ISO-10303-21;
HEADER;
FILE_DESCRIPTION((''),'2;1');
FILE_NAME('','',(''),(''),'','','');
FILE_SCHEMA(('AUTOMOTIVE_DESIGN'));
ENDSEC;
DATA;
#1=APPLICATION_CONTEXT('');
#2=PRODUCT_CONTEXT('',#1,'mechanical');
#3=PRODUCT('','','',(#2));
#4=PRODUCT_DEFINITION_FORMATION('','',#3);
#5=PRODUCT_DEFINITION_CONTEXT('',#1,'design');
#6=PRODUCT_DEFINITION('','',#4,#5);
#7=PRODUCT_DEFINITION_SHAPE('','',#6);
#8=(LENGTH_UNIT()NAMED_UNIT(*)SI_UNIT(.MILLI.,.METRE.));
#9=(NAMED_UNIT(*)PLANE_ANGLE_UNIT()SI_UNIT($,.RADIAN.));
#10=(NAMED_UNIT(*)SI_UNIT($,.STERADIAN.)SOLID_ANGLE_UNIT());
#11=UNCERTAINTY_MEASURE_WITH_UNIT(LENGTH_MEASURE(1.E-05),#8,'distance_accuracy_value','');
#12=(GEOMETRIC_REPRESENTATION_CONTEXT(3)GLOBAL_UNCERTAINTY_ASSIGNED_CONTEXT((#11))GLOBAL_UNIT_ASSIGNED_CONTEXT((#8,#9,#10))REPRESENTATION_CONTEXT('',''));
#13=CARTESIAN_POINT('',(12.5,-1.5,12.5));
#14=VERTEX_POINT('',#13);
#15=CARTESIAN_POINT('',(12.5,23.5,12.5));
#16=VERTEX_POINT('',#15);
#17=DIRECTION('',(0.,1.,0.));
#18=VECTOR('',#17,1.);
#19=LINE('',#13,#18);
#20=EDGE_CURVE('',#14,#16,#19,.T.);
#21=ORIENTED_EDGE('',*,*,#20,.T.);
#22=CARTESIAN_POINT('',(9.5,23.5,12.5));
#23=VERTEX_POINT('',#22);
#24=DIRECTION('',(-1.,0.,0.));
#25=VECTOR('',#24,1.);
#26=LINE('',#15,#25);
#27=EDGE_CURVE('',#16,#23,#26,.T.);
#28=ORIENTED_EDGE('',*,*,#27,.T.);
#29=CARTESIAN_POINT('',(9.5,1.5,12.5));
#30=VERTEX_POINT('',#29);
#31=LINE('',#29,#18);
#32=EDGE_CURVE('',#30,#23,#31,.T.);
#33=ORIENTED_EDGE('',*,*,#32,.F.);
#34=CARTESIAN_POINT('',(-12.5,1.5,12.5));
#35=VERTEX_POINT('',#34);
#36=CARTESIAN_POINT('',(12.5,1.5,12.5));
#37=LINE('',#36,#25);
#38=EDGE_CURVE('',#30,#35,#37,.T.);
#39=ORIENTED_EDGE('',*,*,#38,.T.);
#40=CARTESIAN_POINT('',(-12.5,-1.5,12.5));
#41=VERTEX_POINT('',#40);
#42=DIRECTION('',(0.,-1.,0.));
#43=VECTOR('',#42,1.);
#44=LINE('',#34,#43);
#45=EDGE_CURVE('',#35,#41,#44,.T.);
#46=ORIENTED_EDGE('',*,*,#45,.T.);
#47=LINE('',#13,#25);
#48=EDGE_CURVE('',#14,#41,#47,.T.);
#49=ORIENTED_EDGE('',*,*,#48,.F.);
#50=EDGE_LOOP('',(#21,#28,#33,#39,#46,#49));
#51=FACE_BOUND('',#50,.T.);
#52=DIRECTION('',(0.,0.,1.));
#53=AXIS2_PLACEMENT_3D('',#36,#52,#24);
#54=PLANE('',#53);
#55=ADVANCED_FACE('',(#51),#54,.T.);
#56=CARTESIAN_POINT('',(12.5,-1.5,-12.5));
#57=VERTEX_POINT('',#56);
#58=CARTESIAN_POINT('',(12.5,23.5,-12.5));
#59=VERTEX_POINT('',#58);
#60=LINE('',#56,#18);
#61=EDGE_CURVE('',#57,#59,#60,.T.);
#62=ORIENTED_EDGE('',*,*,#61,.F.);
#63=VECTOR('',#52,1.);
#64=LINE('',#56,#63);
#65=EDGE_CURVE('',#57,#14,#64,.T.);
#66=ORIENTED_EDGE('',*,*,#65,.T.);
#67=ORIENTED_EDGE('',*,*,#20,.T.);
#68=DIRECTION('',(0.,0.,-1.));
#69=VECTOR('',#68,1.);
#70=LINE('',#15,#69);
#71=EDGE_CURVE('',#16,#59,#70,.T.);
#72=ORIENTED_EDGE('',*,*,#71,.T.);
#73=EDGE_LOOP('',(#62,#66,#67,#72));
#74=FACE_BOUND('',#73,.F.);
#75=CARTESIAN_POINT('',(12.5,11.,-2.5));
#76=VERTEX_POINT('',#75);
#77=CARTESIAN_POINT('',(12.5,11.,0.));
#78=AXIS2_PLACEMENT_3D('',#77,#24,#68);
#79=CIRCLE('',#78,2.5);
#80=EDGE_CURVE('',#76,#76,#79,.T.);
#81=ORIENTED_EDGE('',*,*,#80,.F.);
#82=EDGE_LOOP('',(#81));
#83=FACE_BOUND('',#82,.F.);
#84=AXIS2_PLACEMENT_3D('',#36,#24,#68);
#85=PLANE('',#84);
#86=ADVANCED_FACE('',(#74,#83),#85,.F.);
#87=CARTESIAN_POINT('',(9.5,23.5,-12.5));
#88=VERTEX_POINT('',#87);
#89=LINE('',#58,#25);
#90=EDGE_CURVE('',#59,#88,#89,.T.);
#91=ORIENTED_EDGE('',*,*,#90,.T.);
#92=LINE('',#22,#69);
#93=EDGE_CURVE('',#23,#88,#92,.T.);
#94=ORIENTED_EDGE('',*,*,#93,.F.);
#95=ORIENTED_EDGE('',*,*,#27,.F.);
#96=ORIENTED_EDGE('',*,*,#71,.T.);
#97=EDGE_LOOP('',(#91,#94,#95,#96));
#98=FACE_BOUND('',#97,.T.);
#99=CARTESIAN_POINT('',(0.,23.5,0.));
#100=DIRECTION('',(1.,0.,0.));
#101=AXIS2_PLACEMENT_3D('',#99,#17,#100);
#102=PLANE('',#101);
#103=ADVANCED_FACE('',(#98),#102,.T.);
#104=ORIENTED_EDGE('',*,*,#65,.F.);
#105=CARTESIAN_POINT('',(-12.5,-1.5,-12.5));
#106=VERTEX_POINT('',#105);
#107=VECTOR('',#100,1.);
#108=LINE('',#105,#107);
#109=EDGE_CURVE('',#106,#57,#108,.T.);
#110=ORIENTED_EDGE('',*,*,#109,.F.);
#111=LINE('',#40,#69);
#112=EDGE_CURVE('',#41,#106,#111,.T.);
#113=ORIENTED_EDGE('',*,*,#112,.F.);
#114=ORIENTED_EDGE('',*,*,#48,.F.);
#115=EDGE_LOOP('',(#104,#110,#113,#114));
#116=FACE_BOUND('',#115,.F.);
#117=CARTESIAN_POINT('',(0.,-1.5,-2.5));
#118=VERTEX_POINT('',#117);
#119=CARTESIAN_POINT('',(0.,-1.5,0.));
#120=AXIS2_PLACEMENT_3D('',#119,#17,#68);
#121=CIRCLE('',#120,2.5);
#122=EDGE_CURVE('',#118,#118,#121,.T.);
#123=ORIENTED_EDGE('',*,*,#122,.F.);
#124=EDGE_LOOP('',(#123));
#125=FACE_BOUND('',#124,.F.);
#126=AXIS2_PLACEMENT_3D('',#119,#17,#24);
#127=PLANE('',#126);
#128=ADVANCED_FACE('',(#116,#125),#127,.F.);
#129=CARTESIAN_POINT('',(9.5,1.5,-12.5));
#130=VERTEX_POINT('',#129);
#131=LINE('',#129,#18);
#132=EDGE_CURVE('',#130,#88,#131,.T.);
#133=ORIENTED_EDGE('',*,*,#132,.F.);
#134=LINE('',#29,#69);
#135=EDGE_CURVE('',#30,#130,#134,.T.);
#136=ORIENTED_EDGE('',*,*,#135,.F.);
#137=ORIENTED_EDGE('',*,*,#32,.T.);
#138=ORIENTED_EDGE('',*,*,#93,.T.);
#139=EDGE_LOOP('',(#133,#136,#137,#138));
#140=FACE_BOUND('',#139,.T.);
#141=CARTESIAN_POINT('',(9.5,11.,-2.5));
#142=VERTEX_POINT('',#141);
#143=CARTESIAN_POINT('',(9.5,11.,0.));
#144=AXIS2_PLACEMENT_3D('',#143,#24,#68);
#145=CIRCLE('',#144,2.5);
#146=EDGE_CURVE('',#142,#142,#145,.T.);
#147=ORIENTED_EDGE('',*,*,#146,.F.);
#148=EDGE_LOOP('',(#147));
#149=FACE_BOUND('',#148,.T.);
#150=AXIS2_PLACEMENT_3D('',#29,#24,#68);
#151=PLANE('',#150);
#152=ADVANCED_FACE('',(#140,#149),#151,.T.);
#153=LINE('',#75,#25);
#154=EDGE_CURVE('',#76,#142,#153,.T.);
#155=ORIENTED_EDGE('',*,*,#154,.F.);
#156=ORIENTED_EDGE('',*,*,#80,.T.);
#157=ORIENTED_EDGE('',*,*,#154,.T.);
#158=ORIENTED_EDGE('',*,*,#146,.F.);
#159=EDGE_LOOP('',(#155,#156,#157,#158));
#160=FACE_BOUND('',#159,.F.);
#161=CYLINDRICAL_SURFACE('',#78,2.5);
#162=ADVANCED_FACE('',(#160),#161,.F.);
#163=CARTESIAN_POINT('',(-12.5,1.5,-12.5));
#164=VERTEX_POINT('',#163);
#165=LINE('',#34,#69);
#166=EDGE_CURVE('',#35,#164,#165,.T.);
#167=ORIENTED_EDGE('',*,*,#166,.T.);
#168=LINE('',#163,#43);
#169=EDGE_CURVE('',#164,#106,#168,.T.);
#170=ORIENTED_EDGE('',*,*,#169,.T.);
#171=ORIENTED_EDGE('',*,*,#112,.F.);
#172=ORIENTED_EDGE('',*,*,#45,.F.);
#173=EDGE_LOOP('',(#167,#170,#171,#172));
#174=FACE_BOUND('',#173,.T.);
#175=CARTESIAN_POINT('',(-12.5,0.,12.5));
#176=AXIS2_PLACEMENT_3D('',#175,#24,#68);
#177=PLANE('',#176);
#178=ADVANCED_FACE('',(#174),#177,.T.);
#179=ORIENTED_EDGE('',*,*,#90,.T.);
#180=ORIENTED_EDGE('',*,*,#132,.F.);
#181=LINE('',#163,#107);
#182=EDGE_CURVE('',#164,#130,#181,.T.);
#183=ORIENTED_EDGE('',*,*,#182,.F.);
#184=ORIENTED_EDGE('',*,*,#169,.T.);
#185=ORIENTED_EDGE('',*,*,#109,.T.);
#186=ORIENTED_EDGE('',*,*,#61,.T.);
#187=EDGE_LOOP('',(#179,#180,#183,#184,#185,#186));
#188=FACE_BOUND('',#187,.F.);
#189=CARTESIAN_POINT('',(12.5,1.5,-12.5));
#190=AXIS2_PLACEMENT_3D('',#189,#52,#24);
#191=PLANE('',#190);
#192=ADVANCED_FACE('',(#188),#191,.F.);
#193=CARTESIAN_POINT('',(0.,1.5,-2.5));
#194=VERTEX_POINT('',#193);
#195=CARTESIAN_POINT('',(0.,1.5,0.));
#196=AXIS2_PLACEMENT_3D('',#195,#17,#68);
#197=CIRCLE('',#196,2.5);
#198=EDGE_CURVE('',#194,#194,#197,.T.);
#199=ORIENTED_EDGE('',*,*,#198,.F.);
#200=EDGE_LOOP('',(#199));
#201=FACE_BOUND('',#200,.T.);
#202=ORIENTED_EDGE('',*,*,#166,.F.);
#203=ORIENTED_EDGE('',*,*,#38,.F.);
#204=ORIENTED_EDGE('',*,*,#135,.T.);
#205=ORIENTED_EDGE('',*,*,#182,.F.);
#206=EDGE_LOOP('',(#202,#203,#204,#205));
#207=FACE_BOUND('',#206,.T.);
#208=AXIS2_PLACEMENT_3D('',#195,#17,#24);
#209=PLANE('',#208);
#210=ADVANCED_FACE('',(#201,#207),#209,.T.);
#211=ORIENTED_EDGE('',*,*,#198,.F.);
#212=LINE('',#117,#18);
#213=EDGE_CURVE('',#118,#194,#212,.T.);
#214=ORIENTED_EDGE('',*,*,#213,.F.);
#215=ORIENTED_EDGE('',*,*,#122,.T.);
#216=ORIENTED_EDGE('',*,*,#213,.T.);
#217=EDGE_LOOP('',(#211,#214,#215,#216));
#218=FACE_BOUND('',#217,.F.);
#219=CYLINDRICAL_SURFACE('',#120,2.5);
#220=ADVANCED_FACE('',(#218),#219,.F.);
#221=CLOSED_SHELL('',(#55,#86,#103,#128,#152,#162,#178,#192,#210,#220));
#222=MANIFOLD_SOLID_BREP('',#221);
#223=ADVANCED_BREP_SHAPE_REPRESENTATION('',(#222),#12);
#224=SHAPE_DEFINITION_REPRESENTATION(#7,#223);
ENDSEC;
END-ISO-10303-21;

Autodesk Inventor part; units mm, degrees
ref_plane "YZ Plane" through (0, 0, 0) normal (1, 0, 0) x (0, 1, 0)
ref_plane "XZ Plane" through (0, 0, 0) normal (0, 1, 0) x (-1, 0, 0)
ref_plane "XY Plane" through (0, 0, 0) normal (0, 0, 1) x (1, 0, 0)
sketch "Sketch1" plane through (0, 0, 0) normal (0, 1, 0) x (-1, 0, 0)
  line L0 (-12.5, 12.5) -> (12.5, 12.5)
  line L1 (12.5, 12.5) -> (12.5, -12.5)
  line L2 (12.5, -12.5) -> (-12.5, -12.5)
  line L3 (-12.5, -12.5) -> (-12.5, 12.5)
  line L4 (-12.5, 12.5) -> (12.5, -12.5) construction
  line L5 (12.5, 12.5) -> (-12.5, -12.5) construction
  point P0 (0, 0)
  dimension "d0" = 25
  dimension "d1" = 25
extrude "Extrusion1" add sketch "Sketch1" along normal mid plane 3
sketch "Sketch2" plane through (0, 1.5, 0) normal (0, 1, 0) x (1, 0, 0)
  line L0 (12.5, -12.5) -> (12.5, 12.5) projected
  line L1 (12.5, 12.5) -> (-12.5, 12.5) projected
  line L2 (12.5, -12.5) -> (9.5, -12.5)
  line L3 (9.5, -12.5) -> (9.5, 12.5)
  line L4 (9.5, 12.5) -> (12.5, 12.5)
  line L5 (12.5, 12.5) -> (12.5, -12.5)
  point P0 (0, 0)
  dimension "d4" = 3
extrude "Extrusion2" add sketch "Sketch2" along normal blind 22
sketch "Sketch3" plane through (12.5, -1.5, 12.5) normal (1, 0, 0) x (0, 0, -1)
  line L0 (25, 0) -> (25, 25) projected
  line L1 (25, 0) -> (0, 0) projected
  point P0 (12.5, 1.5)
  point P1 (12.5, 12.5)
  point P2 (25, 12.5)
  point P3 (12.5, 0)
hole "Hole1" at (12.5, 11, 0) direction (-1, 0, 0) diameter 5 end through all
sketch "Sketch4" plane through (0, -1.5, 0) normal (0, -1, 0) x (1, 0, 0)
  point P0 (0, 0)
  point P1 (0, 0)
hole "Hole2" at (0, -1.5, 0) direction (0, 1, 0) diameter 5 end through all
properties part number "WCDLBRACKET"
